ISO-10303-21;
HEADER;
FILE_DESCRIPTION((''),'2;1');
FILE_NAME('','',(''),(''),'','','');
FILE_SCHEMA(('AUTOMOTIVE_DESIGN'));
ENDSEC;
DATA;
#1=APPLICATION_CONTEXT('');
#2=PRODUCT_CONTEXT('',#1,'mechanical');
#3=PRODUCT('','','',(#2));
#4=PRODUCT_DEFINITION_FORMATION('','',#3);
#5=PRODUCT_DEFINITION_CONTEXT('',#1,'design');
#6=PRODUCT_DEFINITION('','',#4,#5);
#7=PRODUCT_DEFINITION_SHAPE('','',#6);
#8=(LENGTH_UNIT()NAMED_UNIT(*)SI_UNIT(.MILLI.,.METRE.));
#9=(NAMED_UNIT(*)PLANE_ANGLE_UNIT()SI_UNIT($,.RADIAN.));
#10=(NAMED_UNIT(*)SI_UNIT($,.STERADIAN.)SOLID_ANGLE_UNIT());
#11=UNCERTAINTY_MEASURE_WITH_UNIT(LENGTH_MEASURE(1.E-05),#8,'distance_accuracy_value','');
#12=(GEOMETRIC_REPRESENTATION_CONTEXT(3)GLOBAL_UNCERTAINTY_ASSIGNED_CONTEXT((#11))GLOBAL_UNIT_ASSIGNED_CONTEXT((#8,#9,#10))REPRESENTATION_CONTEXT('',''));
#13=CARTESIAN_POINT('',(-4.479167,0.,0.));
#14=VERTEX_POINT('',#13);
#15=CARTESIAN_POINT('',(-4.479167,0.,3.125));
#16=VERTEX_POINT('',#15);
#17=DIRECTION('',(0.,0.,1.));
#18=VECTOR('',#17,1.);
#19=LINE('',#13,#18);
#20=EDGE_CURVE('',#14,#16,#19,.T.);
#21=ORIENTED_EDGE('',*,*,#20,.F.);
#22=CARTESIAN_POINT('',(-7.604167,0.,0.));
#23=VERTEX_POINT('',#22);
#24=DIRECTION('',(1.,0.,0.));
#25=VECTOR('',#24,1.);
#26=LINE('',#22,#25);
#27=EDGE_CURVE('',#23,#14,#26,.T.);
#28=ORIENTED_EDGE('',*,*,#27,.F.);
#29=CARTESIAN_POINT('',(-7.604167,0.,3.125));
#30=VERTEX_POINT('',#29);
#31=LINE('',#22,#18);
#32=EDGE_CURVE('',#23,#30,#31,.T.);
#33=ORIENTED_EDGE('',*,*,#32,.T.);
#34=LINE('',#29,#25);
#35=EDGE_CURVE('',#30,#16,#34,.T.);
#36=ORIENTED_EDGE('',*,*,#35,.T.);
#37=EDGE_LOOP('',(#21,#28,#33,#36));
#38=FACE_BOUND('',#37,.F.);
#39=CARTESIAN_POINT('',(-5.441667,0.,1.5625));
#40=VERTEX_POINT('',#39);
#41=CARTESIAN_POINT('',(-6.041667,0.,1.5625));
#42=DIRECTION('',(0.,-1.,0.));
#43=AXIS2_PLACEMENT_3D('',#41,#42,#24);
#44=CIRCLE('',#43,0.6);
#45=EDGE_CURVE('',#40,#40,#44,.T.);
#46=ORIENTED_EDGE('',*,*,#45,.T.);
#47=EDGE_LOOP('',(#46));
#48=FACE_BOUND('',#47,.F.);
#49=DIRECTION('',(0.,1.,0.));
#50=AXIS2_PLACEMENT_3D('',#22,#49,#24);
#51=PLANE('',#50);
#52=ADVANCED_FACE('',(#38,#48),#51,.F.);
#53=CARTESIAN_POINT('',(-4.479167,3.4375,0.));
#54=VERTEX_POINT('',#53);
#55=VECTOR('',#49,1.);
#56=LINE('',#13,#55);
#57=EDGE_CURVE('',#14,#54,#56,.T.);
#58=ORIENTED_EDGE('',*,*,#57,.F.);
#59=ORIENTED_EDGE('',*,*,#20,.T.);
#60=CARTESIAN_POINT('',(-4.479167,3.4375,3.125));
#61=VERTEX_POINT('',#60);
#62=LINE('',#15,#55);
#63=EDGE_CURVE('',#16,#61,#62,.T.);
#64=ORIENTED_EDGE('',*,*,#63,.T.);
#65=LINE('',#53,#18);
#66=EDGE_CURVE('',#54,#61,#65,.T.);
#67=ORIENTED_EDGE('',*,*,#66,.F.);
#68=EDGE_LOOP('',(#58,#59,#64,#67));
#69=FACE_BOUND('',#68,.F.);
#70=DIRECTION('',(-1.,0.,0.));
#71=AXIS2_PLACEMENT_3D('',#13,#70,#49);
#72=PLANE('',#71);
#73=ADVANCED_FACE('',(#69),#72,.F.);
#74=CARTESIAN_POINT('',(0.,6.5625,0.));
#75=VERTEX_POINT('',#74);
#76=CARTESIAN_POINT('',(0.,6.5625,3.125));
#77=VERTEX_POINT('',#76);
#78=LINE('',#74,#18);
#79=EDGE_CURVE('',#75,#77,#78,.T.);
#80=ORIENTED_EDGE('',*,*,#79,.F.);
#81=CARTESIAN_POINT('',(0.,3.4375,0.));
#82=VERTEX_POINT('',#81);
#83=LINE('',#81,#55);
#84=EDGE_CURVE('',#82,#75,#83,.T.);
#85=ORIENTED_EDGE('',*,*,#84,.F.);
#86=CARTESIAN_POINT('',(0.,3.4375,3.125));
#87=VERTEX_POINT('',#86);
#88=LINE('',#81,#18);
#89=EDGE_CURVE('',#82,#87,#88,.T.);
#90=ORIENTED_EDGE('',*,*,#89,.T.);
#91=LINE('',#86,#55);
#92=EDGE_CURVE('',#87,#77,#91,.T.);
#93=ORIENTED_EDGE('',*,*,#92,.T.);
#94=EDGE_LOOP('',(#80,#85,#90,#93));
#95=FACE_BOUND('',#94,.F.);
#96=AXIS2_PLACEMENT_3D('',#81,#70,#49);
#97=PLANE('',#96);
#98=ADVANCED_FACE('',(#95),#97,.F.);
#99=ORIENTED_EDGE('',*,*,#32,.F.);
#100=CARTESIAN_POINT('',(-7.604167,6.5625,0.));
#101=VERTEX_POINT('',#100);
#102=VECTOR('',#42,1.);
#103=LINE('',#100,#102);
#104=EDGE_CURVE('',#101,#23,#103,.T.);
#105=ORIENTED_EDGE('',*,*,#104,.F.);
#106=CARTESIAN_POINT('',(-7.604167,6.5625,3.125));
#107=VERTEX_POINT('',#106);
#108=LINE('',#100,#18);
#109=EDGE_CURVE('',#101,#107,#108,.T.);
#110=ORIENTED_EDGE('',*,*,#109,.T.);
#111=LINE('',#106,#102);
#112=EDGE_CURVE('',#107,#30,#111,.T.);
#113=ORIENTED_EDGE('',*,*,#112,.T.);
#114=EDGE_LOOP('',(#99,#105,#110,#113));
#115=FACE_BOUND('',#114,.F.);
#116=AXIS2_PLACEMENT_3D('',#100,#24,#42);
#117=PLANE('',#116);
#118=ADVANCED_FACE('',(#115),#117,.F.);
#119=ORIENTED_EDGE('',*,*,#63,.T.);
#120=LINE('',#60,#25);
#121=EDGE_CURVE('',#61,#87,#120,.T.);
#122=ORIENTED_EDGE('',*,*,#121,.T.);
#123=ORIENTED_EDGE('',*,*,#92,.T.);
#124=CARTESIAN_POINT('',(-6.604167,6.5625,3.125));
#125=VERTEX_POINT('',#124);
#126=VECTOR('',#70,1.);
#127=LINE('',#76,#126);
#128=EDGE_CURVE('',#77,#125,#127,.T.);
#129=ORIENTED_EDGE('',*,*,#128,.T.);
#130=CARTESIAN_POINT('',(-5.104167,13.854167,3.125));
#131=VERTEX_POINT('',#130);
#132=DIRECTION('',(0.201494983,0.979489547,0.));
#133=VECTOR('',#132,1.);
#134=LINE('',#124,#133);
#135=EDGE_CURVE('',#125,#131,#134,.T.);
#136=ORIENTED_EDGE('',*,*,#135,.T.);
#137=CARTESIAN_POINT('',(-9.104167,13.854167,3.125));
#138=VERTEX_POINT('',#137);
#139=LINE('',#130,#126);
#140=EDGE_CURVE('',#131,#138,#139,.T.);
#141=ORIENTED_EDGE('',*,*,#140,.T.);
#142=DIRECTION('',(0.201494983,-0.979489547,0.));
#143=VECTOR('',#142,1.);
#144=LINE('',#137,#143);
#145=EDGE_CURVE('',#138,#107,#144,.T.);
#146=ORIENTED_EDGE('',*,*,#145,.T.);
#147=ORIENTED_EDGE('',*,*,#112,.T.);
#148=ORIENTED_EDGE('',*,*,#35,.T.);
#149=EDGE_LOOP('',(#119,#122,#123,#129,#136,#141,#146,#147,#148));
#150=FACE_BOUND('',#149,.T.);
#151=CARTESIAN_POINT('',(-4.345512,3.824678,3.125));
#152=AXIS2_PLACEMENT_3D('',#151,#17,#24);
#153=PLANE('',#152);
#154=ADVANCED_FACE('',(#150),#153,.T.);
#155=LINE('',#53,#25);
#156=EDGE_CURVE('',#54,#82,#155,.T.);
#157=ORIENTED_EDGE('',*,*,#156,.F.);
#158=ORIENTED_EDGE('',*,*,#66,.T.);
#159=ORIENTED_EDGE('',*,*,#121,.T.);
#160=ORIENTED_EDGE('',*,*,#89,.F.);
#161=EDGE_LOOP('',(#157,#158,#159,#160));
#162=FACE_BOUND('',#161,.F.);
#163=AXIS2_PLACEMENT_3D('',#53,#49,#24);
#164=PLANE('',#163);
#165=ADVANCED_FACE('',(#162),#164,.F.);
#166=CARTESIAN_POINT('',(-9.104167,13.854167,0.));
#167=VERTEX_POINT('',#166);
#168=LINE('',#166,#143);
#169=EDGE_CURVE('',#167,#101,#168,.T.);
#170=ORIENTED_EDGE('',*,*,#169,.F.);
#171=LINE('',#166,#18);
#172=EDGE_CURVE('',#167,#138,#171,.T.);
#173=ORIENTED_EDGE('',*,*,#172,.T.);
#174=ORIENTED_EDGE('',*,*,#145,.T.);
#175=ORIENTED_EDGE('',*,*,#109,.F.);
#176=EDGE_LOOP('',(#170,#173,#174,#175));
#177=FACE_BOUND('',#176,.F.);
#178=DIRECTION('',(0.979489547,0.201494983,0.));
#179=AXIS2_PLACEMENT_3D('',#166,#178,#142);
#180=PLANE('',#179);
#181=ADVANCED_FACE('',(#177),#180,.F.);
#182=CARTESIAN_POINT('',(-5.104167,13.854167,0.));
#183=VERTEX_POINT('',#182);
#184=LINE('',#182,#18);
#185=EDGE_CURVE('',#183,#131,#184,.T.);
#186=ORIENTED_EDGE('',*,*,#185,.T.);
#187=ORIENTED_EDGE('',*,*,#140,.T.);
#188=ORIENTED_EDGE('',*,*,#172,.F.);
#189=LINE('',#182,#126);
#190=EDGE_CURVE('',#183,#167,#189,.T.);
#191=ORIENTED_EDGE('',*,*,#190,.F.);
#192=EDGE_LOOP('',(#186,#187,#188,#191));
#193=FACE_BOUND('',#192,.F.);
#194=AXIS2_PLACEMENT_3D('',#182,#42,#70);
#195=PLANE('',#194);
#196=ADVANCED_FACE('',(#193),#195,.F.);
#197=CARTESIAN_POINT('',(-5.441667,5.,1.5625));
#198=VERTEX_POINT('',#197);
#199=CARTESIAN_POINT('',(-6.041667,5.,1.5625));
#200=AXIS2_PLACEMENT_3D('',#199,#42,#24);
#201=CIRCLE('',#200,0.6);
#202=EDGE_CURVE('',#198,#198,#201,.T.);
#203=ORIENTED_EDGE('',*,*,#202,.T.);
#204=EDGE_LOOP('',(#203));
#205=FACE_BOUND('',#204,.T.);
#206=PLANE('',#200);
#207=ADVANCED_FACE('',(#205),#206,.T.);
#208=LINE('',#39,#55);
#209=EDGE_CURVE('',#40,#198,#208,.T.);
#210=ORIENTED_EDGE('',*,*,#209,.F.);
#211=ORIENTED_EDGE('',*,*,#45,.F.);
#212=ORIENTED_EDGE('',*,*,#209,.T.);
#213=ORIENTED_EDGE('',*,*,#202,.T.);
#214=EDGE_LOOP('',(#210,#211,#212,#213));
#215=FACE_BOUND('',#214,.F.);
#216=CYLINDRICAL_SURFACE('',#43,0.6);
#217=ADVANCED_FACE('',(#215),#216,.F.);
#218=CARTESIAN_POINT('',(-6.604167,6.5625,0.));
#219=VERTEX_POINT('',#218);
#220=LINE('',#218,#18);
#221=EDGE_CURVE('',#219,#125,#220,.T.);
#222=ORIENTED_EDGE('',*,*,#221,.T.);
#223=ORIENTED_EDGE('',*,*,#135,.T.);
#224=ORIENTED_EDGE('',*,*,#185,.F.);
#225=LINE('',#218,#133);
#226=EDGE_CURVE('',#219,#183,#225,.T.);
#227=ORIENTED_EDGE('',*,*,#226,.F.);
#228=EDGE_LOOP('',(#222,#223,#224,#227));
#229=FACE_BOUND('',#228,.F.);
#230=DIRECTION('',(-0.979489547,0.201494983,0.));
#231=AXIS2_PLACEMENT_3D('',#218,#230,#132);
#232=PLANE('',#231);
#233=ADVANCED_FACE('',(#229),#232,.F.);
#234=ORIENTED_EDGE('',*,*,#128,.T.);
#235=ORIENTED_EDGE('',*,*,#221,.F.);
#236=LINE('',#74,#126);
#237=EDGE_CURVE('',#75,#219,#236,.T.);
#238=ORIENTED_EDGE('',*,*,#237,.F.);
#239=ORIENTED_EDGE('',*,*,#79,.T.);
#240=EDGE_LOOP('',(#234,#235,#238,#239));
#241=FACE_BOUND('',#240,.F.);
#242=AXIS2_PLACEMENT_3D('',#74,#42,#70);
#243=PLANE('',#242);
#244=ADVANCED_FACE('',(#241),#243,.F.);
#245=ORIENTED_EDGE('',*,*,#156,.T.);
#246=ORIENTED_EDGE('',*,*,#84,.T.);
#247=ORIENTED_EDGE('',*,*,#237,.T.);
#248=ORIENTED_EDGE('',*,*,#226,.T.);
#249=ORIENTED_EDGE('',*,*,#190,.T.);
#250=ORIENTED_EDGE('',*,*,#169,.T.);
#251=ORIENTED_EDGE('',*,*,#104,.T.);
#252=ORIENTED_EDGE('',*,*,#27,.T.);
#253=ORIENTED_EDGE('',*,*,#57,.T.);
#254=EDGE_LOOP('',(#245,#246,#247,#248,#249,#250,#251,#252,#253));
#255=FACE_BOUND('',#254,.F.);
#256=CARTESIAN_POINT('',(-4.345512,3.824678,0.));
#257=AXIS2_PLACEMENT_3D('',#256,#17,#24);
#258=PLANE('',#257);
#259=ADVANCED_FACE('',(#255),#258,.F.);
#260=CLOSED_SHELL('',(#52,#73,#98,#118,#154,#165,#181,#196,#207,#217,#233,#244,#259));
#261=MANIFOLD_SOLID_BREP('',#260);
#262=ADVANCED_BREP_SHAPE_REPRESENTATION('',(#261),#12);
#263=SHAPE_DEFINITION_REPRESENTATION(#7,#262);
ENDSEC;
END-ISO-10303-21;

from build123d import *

# Parameters (mm, degrees)
F1_DEPTH = 3.125
F2_R     = 0.6
F3_DEPTH = 5


with BuildPart() as f1:
    # F0 (on Top) → F1 (new body)
    with BuildSketch(Plane.XY):
        Polygon((-7.604167, 6.5625), (-7.604167, 0), (-4.479167, 0), (-4.479167, 3.4375), (0, 3.4375), (0, 6.5625), (-6.604167, 6.5625), align=None)
        Polygon((-9.104167, 13.854167), (-7.604167, 6.5625), (-6.604167, 6.5625), (-5.104167, 13.854167), align=None)
    extrude(amount=F1_DEPTH)

    # F2 (on face) → F3 (cut)
    with BuildSketch(Plane.XZ):
        with Locations((-6.041667, 1.5625)):
            Circle(F2_R)
    extrude(amount=-F3_DEPTH, mode=Mode.SUBTRACT)


solid = f1.part
